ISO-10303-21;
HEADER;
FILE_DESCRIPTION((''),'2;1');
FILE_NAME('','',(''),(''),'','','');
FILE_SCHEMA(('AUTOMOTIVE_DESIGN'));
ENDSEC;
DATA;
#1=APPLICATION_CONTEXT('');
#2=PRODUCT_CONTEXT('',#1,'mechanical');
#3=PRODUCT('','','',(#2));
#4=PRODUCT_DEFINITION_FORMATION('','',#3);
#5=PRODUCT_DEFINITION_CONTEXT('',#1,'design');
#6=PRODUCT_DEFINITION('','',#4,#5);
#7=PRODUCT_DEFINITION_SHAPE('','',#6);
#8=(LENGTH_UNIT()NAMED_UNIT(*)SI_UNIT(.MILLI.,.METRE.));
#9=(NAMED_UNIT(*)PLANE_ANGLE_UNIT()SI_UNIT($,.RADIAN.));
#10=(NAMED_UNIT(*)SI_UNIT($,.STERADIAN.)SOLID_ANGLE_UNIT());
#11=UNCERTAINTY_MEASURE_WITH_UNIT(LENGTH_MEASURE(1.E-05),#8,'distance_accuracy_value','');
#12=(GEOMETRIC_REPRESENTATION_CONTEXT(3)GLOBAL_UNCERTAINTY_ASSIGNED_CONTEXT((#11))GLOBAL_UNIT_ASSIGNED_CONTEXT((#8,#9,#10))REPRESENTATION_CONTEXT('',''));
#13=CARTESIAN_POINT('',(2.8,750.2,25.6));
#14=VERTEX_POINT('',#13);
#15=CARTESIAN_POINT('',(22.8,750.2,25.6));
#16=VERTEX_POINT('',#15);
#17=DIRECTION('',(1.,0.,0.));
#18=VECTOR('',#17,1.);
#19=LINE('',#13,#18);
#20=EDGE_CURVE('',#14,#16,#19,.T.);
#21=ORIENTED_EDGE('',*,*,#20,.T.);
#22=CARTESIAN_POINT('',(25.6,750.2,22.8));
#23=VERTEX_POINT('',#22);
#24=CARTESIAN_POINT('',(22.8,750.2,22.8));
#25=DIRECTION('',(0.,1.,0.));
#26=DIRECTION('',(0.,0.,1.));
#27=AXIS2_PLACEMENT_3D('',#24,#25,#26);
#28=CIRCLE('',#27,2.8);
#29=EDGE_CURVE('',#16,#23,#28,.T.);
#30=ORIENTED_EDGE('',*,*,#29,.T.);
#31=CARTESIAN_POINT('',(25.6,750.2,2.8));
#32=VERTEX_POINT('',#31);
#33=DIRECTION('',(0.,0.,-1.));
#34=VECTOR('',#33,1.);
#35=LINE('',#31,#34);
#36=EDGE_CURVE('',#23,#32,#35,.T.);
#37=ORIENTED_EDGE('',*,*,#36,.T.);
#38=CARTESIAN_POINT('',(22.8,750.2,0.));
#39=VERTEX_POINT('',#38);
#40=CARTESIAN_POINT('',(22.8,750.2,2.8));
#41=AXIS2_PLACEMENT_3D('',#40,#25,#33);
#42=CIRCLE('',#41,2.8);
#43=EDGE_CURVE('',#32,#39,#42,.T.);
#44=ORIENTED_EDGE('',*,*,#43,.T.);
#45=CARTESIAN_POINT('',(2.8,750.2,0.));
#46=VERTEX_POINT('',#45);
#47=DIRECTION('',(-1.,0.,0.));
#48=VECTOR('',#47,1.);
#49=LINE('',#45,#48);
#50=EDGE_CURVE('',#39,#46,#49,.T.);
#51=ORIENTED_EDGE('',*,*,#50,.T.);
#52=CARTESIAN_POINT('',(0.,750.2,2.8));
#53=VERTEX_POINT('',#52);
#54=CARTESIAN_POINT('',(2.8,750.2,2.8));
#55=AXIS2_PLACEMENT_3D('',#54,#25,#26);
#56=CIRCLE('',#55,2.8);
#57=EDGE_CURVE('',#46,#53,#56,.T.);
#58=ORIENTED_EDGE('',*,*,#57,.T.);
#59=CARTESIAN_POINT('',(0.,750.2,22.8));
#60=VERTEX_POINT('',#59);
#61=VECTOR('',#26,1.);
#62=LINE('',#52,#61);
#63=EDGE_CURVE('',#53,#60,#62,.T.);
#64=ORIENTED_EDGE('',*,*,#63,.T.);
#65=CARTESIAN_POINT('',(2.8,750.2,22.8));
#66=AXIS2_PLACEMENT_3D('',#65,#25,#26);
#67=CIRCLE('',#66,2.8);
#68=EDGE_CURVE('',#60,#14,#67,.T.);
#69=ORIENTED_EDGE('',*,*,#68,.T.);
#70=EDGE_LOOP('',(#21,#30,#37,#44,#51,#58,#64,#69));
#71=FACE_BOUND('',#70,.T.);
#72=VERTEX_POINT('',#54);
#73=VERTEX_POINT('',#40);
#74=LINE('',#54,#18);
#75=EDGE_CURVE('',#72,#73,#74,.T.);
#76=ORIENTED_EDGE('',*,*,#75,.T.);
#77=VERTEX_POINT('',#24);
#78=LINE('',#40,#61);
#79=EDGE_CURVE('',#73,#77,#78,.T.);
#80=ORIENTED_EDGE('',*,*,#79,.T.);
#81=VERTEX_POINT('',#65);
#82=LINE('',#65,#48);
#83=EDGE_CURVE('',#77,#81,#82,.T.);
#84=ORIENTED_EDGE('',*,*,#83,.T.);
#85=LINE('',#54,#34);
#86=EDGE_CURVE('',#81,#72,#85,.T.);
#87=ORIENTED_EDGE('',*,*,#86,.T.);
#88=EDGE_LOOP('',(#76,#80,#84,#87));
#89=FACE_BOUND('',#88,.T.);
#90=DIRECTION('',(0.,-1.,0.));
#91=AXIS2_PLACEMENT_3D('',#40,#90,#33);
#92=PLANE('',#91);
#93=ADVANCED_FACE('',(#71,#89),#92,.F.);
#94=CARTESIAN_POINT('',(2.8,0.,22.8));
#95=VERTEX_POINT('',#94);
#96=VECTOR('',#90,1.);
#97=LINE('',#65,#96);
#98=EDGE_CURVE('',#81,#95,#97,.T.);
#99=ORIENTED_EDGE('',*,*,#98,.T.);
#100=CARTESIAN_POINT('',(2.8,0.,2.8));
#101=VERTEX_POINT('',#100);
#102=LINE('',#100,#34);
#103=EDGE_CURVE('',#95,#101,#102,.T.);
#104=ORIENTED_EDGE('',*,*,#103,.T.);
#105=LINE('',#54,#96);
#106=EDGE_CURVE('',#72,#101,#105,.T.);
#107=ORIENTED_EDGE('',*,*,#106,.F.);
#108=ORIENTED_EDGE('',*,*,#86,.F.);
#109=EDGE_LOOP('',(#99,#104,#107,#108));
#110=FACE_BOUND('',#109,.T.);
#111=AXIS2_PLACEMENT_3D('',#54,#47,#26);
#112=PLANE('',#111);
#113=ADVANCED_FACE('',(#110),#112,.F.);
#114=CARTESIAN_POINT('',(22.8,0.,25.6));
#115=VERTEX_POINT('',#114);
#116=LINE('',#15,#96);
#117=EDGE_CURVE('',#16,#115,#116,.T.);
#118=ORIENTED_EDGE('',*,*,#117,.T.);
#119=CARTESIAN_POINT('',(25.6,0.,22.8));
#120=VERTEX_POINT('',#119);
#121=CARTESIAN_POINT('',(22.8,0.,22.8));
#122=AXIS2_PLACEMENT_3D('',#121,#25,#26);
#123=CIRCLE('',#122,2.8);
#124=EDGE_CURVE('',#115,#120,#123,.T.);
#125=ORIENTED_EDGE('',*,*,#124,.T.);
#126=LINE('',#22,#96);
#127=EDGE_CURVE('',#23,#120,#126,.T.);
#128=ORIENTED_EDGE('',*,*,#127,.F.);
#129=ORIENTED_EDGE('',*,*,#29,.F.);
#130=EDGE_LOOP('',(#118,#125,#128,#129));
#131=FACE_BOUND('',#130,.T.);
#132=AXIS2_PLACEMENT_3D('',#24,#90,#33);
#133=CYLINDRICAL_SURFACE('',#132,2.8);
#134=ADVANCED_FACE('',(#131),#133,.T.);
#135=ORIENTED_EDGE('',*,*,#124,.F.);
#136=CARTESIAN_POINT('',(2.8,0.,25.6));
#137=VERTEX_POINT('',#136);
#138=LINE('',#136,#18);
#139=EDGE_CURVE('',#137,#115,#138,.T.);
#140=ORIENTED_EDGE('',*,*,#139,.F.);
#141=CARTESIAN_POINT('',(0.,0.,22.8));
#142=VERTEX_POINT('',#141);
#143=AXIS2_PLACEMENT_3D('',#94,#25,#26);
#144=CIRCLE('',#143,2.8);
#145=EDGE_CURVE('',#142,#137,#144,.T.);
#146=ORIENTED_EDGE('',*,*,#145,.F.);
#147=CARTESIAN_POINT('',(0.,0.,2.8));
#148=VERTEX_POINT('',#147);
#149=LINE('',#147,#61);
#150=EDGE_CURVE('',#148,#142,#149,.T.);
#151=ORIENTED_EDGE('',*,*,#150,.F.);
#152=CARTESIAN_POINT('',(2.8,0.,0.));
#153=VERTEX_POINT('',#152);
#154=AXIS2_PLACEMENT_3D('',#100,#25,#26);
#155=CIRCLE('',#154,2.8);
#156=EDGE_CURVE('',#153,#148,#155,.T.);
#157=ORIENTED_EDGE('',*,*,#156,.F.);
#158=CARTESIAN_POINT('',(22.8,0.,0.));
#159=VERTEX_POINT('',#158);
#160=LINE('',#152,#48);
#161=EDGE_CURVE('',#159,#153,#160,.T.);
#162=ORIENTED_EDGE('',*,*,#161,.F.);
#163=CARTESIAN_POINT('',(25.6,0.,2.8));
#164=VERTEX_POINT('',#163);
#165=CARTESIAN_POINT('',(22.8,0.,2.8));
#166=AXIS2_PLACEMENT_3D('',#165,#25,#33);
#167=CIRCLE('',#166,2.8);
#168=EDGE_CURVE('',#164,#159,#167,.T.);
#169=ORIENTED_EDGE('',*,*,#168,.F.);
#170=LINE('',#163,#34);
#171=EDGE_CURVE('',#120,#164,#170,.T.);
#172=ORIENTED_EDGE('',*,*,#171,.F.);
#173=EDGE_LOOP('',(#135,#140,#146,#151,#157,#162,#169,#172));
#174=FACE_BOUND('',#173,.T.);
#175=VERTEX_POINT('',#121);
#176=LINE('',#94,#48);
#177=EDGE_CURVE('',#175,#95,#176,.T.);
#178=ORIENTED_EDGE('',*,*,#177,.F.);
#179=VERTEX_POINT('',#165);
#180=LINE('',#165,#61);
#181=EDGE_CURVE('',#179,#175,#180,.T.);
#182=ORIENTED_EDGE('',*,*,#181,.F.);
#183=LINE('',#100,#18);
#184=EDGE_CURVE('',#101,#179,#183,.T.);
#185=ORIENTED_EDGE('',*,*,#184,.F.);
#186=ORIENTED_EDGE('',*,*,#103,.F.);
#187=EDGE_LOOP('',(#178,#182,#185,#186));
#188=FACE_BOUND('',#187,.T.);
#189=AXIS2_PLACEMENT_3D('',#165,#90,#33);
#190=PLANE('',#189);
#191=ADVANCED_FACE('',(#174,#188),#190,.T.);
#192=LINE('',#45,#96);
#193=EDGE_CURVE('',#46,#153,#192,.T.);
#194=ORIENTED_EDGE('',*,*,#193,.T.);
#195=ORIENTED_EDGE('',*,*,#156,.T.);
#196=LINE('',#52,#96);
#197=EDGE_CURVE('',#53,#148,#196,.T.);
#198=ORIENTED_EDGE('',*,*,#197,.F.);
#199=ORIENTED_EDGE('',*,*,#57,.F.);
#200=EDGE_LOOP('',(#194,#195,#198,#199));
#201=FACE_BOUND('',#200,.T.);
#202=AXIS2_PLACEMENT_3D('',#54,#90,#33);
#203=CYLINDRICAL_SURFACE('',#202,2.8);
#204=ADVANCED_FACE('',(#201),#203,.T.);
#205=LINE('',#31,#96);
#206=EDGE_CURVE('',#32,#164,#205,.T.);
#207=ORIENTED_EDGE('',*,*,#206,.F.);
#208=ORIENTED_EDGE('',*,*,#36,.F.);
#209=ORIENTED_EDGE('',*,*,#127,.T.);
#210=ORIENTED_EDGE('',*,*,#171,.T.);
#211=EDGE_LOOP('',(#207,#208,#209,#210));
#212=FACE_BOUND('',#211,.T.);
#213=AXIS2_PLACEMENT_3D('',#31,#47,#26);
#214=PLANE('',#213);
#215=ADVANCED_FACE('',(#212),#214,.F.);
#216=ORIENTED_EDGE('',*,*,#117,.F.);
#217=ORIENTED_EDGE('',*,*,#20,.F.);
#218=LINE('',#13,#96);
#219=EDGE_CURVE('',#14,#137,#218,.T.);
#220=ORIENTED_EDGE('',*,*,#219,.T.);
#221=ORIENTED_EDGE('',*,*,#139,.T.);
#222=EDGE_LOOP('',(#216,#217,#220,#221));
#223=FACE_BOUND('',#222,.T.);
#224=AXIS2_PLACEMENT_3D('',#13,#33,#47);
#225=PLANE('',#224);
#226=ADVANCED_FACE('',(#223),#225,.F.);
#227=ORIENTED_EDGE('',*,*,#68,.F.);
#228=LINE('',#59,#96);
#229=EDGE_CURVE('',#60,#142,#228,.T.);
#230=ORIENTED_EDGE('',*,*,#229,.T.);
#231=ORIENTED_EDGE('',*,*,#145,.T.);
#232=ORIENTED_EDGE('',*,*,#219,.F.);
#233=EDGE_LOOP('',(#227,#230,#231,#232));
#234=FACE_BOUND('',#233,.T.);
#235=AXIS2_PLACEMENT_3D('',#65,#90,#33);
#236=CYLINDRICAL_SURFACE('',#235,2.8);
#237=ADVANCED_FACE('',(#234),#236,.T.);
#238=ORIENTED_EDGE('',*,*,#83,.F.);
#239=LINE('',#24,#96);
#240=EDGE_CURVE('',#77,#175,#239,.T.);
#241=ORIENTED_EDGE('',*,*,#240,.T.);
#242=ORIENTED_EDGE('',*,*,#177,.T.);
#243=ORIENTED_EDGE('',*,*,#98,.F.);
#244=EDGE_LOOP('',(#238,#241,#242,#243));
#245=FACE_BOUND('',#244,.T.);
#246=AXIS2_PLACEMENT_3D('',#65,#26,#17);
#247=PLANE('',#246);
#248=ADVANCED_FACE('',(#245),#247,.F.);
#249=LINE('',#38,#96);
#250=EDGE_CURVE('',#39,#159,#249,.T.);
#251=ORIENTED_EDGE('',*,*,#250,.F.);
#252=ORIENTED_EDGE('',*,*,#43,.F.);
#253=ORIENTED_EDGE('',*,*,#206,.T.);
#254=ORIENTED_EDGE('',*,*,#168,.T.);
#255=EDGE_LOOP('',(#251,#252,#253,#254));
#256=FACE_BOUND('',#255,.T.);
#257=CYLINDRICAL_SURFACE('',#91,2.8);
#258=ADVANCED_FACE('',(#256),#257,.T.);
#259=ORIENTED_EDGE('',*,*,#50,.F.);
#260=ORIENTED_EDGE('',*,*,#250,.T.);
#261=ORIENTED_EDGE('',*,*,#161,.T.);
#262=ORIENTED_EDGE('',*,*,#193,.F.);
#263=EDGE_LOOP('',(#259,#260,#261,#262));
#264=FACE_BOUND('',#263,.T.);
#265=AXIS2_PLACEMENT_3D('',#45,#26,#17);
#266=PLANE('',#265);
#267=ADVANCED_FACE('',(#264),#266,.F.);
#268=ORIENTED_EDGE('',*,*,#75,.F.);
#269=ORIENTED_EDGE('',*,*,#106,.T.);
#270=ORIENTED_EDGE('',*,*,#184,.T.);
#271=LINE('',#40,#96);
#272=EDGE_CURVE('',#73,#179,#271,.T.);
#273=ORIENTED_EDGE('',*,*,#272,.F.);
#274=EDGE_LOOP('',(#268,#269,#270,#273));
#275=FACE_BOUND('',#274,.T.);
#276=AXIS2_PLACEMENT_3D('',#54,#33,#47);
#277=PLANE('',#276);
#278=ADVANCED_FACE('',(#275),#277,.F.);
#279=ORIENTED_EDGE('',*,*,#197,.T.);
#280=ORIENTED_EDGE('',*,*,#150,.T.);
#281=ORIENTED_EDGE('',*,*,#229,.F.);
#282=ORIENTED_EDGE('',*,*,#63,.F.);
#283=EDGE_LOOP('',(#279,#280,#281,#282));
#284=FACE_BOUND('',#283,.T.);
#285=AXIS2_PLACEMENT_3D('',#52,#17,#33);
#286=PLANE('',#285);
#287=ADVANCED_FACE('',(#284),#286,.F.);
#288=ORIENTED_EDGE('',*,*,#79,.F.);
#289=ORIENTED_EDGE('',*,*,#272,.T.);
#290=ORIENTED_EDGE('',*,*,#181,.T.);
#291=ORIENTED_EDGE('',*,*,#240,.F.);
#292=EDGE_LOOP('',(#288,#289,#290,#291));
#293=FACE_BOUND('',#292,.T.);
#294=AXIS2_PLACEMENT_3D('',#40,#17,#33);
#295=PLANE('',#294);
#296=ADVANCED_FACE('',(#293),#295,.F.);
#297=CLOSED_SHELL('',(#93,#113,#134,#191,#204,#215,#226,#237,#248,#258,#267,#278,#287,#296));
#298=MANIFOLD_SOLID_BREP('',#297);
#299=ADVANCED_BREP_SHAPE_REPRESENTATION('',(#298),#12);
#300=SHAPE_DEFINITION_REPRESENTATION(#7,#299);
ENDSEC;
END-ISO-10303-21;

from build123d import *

# Parameters (mm, degrees)
BOSS_EXTRUDE1_DEPTH = 750.2
SKETCH3_W           = 20
SKETCH3_H           = 20
CUT_EXTRUDE1_DEPTH  = 750.2


with BuildPart() as part:
    # Sketch1 → Boss-Extrude1 (new body)
    with BuildSketch(Plane(origin=(0, 0, 0), x_dir=(1, 0, 0), z_dir=(0, 1, 0))):
        with BuildLine():
            Line((2.8, 0), (22.8, 0))
            ThreePointArc((22.8, 0), (24.779898987, -0.820101013), (25.6, -2.8))
            Line((25.6, -2.8), (25.6, -22.8))
            ThreePointArc((25.6, -22.8), (24.779898987, -24.779898987), (22.8, -25.6))
            Line((22.8, -25.6), (2.8, -25.6))
            ThreePointArc((2.8, -25.6), (0.820101013, -24.779898987), (0, -22.8))
            Line((0, -22.8), (0, -2.8))
            ThreePointArc((0, -2.8), (0.820101013, -0.820101013), (2.8, 0))
        make_face()
    extrude(amount=BOSS_EXTRUDE1_DEPTH)

    # Sketch3 → Cut-Extrude1 (cut)
    with BuildSketch(Plane(origin=(0, 0, 0), x_dir=(-1, 0, 0), z_dir=(0, -1, 0))):
        with Locations((-12.8, -12.8)):
            Rectangle(SKETCH3_W, SKETCH3_H)
    extrude(amount=-CUT_EXTRUDE1_DEPTH, mode=Mode.SUBTRACT)


solid = part.part
